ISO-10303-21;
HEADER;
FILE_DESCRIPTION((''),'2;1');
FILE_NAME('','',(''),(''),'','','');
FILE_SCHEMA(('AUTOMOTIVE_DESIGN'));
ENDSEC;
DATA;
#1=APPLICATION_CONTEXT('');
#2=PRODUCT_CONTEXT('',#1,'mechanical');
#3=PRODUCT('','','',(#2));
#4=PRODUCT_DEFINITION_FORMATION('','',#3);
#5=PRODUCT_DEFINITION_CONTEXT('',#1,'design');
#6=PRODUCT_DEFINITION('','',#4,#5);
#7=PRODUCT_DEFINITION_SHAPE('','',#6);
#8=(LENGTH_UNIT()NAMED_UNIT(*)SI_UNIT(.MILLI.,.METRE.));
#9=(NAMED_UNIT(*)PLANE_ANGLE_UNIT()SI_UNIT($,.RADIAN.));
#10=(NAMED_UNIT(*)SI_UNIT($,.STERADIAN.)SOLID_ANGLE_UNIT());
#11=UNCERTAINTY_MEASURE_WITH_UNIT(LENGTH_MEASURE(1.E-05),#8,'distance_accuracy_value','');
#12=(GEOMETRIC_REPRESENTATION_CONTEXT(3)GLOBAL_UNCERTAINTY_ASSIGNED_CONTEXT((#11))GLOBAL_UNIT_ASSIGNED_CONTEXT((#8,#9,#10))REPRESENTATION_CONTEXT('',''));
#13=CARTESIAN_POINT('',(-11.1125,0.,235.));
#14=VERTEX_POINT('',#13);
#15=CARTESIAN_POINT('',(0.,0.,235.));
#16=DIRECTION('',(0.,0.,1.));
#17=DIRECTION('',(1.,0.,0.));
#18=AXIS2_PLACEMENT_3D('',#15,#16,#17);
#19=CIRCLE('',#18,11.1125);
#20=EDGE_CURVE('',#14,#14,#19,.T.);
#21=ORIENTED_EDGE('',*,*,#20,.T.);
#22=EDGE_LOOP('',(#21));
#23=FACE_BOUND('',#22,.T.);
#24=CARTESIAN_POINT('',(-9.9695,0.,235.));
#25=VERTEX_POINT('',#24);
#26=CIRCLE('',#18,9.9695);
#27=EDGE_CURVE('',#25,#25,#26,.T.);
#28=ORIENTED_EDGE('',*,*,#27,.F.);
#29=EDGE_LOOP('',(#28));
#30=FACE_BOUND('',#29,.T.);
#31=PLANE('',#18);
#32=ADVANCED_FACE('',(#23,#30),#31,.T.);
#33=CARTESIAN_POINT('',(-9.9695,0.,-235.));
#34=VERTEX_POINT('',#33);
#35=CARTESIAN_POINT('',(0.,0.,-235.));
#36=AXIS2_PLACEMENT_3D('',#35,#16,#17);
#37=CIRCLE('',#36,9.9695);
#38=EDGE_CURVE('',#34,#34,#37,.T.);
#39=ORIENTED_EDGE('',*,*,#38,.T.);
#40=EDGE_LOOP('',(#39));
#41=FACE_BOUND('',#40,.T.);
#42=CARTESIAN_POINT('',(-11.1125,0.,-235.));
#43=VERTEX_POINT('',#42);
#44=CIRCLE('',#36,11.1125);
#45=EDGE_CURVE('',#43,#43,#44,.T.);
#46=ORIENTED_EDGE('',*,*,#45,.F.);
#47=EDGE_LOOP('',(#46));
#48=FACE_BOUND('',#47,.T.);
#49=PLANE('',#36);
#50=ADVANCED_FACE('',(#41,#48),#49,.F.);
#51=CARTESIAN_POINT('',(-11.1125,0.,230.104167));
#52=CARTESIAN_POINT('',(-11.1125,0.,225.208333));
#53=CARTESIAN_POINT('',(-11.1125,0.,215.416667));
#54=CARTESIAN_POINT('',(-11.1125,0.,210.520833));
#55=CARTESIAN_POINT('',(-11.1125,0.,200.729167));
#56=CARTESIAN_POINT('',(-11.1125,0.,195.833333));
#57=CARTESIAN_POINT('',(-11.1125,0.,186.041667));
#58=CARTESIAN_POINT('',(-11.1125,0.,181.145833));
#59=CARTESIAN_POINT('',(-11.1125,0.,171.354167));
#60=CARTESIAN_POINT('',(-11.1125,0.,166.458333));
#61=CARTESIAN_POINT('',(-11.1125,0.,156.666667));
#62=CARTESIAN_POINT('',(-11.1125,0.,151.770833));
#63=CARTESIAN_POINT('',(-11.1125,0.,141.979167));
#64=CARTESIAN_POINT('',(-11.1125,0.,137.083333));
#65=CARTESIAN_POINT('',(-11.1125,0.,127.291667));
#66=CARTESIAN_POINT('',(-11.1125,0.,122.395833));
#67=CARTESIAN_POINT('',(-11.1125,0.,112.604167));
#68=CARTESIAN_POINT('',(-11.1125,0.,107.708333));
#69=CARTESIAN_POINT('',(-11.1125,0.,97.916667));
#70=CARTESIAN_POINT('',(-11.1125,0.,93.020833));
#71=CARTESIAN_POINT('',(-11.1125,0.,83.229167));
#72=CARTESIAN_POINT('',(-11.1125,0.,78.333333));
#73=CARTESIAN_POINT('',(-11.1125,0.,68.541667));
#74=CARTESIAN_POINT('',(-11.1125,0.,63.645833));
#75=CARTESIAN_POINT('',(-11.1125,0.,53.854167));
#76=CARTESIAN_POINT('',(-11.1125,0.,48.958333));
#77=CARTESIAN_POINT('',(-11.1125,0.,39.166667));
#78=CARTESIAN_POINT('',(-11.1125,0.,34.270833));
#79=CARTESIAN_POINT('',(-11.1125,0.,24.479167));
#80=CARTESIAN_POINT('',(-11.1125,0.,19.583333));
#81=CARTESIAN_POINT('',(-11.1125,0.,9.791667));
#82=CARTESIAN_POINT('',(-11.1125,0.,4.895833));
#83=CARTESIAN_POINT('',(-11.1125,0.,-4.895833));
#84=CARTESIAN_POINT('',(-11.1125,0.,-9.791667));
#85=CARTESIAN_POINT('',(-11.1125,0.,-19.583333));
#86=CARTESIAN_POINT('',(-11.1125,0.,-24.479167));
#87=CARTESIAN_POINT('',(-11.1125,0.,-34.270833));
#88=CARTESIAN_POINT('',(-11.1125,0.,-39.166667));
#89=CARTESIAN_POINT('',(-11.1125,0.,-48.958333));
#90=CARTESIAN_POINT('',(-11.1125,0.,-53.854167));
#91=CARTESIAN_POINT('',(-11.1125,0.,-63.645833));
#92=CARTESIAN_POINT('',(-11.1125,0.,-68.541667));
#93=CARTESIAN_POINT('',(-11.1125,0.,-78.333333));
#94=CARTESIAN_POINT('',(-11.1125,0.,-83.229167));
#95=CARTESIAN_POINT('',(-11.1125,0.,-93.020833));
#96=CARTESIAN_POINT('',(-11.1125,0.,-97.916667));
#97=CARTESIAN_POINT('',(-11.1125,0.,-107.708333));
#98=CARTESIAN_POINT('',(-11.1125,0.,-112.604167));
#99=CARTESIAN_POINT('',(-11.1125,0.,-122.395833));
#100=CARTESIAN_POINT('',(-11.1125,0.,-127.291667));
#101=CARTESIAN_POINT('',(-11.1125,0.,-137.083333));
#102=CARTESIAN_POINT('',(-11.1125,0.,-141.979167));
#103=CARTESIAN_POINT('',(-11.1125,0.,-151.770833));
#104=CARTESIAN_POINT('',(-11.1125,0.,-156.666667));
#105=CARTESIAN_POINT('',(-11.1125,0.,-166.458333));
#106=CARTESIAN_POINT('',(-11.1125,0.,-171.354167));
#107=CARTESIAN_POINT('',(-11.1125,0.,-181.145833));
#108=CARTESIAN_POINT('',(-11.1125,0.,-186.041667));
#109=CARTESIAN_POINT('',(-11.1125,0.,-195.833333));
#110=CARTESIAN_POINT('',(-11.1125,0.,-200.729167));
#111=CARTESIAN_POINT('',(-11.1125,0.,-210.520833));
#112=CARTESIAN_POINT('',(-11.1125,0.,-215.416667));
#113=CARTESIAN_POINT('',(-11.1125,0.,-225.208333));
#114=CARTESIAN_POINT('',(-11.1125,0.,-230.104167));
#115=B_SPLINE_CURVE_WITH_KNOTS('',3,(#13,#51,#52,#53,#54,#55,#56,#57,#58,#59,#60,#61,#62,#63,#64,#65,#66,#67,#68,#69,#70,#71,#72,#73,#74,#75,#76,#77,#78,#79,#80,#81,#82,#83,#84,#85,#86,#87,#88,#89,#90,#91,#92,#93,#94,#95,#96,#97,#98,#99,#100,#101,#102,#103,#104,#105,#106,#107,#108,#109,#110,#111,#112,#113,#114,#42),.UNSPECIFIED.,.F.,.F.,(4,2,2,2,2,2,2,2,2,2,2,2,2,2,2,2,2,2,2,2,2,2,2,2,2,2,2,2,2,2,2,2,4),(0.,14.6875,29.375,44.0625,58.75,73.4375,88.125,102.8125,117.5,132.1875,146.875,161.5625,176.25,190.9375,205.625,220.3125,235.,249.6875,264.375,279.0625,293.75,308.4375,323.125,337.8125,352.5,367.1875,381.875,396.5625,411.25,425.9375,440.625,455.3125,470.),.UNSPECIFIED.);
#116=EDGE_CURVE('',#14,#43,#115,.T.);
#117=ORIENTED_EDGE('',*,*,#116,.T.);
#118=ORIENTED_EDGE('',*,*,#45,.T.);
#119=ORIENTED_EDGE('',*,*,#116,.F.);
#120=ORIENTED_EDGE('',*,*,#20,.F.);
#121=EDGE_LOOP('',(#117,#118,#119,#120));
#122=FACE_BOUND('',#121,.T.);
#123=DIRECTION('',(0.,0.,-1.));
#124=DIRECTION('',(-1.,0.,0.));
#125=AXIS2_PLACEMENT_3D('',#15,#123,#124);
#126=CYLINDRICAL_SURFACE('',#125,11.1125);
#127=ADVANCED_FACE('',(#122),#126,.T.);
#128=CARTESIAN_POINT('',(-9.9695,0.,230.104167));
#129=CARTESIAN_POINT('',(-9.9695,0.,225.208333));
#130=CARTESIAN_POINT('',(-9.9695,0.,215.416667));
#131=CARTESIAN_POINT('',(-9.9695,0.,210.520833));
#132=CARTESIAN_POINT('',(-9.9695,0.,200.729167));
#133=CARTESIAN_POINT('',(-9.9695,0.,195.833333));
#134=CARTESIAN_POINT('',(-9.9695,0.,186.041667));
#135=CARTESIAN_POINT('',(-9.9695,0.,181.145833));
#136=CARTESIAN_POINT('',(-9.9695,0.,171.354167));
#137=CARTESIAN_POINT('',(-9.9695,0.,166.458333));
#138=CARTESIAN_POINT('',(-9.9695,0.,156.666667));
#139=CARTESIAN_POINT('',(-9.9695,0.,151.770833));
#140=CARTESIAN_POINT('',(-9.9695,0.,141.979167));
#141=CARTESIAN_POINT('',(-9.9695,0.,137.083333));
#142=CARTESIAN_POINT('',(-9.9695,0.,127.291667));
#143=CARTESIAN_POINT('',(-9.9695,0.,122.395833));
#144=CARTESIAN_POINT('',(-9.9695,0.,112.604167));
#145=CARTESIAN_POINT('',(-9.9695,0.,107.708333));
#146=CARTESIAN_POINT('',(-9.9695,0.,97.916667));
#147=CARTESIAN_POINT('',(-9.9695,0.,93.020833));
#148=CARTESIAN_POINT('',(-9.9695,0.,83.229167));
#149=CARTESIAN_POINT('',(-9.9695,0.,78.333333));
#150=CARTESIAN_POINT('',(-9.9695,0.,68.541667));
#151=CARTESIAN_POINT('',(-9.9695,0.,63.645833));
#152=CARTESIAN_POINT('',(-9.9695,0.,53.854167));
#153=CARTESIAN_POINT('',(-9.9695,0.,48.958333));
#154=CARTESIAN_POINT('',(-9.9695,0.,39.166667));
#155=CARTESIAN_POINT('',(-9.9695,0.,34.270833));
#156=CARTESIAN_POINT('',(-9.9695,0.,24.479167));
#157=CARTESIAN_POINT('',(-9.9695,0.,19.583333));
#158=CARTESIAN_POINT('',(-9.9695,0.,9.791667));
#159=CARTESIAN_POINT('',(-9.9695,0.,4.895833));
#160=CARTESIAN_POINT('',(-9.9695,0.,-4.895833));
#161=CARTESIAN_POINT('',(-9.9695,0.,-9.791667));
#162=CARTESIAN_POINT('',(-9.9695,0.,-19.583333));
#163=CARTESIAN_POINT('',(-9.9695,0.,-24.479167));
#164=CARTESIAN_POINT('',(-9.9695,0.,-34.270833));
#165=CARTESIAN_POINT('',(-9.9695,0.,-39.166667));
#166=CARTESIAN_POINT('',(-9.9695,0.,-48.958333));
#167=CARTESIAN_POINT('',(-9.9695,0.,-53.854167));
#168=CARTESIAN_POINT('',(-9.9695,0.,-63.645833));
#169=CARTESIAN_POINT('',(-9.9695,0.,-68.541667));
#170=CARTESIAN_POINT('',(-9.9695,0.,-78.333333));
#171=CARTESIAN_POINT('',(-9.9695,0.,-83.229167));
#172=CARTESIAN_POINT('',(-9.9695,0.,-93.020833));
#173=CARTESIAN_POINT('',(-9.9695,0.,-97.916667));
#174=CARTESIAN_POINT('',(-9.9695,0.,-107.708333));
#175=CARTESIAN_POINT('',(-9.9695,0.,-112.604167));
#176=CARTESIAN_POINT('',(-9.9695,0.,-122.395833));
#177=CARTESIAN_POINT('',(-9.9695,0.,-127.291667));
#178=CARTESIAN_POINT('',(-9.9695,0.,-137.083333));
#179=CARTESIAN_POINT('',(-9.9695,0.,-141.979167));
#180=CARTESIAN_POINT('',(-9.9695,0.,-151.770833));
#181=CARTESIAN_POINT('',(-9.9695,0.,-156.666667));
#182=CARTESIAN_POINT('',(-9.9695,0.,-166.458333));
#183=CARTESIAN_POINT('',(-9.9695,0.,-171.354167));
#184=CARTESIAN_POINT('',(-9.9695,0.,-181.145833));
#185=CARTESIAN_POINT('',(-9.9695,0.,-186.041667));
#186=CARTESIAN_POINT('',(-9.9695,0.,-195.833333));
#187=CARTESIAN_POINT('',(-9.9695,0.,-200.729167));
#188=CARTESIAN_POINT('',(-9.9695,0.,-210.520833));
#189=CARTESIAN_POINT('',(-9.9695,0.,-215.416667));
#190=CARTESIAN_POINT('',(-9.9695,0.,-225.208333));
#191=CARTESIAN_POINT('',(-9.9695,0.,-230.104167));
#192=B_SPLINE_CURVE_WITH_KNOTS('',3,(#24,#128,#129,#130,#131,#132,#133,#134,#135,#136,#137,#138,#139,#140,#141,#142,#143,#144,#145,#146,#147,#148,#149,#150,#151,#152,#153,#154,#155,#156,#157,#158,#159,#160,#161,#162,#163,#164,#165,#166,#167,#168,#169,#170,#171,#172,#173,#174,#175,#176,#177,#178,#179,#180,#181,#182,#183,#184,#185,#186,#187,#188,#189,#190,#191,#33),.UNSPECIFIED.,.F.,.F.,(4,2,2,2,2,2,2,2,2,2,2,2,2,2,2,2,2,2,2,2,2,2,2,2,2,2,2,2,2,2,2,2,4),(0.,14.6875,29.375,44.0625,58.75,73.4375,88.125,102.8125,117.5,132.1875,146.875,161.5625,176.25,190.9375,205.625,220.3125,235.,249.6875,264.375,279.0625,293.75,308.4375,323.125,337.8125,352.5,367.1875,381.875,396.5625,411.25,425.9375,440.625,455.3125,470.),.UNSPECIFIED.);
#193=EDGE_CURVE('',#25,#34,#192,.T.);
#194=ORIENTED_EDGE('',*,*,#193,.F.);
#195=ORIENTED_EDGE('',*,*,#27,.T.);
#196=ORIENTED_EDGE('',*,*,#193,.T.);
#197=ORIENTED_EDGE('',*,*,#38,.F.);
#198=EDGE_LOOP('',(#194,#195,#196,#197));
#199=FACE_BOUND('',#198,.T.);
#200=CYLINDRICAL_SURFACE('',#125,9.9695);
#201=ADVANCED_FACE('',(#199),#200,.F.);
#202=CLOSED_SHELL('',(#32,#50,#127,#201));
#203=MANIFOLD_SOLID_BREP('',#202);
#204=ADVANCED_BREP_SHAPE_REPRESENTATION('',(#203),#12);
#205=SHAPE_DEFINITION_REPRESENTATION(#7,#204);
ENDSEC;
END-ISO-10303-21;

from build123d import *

# Parameters (mm, degrees)
SKETCH1_R           = 11.1125
SKETCH1_R_2         = 9.9695
BOSS_EXTRUDE1_DEPTH = 235


with BuildPart() as part:
    # Sketch1 → Boss-Extrude1 (new, symmetric)
    with BuildSketch(Plane.XY):
        with Locations(Location((0, 0, 0), (0, 0, 180))):
            Circle(SKETCH1_R)
        with Locations(Location((0, 0, 0), (0, 0, 180))):
            Circle(SKETCH1_R_2, mode=Mode.SUBTRACT)
    extrude(amount=BOSS_EXTRUDE1_DEPTH, both=True)


solid = part.part
